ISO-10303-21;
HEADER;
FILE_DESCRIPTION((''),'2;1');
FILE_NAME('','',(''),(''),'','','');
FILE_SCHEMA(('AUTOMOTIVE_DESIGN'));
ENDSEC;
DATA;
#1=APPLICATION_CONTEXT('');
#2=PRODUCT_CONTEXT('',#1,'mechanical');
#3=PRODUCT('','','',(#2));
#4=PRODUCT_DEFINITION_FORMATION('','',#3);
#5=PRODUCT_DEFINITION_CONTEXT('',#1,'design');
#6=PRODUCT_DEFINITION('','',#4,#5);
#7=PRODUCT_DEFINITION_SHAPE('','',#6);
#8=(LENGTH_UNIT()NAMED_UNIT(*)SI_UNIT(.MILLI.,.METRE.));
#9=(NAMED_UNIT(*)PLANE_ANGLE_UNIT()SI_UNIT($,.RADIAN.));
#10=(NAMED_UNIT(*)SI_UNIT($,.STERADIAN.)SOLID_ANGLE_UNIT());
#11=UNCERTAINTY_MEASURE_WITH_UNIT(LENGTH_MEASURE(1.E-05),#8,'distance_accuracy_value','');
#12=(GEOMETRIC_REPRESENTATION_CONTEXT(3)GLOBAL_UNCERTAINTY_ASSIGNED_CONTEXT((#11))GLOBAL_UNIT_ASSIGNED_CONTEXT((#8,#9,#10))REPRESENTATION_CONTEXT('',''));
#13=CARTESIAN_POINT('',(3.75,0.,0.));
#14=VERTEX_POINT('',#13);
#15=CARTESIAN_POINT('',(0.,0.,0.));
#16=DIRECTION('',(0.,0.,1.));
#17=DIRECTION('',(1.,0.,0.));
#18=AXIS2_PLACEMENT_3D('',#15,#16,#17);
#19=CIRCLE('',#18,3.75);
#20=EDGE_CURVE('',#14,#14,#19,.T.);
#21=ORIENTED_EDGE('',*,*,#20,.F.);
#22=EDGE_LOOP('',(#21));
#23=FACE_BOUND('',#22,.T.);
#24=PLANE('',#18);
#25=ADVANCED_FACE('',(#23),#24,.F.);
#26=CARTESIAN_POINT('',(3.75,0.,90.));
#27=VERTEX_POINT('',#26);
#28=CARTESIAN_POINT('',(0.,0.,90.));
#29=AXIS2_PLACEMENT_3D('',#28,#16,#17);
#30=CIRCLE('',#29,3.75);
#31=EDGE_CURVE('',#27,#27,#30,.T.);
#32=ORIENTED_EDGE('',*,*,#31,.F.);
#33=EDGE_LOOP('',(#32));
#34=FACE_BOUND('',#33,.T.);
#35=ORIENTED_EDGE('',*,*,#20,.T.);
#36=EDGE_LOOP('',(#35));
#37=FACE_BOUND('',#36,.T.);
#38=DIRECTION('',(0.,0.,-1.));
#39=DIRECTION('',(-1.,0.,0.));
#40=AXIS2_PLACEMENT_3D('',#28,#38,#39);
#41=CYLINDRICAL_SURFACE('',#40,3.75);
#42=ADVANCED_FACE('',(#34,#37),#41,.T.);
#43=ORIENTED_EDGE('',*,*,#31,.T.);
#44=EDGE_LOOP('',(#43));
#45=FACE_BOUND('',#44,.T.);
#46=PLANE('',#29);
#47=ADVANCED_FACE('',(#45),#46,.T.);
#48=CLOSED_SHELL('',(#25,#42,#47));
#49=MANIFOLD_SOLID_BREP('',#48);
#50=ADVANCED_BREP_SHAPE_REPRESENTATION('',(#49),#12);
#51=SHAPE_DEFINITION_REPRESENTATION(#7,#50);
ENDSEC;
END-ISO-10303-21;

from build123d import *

# Parameters (mm, degrees)
SKETCH1_R           = 3.75
BOSS_EXTRUDE1_DEPTH = 90


with BuildPart() as part:
    # Sketch1 → Boss-Extrude1 (new body)
    with BuildSketch(Plane.XY):
        Circle(SKETCH1_R)
    extrude(amount=BOSS_EXTRUDE1_DEPTH)


solid = part.part
